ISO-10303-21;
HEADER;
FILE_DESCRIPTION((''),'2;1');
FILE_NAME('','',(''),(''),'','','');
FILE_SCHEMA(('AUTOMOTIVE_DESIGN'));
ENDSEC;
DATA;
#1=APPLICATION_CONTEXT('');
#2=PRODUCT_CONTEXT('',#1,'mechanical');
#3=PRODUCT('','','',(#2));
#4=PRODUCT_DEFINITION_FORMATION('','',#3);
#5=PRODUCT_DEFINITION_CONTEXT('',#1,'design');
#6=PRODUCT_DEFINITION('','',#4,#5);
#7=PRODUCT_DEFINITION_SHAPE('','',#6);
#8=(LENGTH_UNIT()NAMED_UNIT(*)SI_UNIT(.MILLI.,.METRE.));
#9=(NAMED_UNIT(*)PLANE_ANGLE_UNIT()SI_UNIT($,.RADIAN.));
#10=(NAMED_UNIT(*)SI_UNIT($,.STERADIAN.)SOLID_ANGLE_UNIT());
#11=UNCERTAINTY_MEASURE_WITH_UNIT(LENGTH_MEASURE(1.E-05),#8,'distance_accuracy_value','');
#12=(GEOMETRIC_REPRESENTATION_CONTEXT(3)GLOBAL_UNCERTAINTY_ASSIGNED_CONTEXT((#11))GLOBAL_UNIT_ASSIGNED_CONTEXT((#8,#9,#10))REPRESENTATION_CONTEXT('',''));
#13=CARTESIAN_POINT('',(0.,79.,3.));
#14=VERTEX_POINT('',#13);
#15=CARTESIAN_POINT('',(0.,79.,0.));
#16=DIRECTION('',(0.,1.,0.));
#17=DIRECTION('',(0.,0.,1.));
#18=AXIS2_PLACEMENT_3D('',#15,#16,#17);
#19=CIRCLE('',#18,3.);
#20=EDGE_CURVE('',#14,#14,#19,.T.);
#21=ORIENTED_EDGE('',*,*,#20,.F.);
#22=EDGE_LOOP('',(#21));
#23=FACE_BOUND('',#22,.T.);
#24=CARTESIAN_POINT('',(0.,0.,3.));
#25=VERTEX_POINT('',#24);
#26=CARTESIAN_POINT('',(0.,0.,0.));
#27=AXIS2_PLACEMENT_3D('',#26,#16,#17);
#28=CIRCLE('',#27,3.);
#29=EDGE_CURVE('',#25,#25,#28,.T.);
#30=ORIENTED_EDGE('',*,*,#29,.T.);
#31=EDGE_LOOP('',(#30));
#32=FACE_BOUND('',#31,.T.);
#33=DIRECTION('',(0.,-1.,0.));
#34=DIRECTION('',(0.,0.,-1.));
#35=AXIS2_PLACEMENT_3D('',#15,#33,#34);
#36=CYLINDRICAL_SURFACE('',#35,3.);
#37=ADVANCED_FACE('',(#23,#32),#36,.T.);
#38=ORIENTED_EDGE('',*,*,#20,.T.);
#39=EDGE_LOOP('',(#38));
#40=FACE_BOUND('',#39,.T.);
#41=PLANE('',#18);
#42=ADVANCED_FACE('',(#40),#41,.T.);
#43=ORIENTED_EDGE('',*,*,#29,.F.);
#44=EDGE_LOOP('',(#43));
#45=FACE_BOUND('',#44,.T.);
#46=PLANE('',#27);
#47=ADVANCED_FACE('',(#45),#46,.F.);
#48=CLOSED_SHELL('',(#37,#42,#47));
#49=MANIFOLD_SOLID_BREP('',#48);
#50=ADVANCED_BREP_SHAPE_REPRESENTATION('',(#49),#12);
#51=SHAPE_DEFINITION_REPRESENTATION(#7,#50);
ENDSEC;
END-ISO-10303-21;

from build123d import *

# Parameters (mm, degrees)
SKETCH_1_R      = 3
EXTRUDE_1_DEPTH = 79


with BuildPart() as part:
    # 草图1 → 凸台-拉伸1 (new body)
    with BuildSketch(Plane(origin=(0, 0, 0), x_dir=(1, 0, 0), z_dir=(0, 1, 0))):
        with Locations(Location((0, 0, 0), (0, 0, 270))):
            Circle(SKETCH_1_R)
    extrude(amount=EXTRUDE_1_DEPTH)


solid = part.part
